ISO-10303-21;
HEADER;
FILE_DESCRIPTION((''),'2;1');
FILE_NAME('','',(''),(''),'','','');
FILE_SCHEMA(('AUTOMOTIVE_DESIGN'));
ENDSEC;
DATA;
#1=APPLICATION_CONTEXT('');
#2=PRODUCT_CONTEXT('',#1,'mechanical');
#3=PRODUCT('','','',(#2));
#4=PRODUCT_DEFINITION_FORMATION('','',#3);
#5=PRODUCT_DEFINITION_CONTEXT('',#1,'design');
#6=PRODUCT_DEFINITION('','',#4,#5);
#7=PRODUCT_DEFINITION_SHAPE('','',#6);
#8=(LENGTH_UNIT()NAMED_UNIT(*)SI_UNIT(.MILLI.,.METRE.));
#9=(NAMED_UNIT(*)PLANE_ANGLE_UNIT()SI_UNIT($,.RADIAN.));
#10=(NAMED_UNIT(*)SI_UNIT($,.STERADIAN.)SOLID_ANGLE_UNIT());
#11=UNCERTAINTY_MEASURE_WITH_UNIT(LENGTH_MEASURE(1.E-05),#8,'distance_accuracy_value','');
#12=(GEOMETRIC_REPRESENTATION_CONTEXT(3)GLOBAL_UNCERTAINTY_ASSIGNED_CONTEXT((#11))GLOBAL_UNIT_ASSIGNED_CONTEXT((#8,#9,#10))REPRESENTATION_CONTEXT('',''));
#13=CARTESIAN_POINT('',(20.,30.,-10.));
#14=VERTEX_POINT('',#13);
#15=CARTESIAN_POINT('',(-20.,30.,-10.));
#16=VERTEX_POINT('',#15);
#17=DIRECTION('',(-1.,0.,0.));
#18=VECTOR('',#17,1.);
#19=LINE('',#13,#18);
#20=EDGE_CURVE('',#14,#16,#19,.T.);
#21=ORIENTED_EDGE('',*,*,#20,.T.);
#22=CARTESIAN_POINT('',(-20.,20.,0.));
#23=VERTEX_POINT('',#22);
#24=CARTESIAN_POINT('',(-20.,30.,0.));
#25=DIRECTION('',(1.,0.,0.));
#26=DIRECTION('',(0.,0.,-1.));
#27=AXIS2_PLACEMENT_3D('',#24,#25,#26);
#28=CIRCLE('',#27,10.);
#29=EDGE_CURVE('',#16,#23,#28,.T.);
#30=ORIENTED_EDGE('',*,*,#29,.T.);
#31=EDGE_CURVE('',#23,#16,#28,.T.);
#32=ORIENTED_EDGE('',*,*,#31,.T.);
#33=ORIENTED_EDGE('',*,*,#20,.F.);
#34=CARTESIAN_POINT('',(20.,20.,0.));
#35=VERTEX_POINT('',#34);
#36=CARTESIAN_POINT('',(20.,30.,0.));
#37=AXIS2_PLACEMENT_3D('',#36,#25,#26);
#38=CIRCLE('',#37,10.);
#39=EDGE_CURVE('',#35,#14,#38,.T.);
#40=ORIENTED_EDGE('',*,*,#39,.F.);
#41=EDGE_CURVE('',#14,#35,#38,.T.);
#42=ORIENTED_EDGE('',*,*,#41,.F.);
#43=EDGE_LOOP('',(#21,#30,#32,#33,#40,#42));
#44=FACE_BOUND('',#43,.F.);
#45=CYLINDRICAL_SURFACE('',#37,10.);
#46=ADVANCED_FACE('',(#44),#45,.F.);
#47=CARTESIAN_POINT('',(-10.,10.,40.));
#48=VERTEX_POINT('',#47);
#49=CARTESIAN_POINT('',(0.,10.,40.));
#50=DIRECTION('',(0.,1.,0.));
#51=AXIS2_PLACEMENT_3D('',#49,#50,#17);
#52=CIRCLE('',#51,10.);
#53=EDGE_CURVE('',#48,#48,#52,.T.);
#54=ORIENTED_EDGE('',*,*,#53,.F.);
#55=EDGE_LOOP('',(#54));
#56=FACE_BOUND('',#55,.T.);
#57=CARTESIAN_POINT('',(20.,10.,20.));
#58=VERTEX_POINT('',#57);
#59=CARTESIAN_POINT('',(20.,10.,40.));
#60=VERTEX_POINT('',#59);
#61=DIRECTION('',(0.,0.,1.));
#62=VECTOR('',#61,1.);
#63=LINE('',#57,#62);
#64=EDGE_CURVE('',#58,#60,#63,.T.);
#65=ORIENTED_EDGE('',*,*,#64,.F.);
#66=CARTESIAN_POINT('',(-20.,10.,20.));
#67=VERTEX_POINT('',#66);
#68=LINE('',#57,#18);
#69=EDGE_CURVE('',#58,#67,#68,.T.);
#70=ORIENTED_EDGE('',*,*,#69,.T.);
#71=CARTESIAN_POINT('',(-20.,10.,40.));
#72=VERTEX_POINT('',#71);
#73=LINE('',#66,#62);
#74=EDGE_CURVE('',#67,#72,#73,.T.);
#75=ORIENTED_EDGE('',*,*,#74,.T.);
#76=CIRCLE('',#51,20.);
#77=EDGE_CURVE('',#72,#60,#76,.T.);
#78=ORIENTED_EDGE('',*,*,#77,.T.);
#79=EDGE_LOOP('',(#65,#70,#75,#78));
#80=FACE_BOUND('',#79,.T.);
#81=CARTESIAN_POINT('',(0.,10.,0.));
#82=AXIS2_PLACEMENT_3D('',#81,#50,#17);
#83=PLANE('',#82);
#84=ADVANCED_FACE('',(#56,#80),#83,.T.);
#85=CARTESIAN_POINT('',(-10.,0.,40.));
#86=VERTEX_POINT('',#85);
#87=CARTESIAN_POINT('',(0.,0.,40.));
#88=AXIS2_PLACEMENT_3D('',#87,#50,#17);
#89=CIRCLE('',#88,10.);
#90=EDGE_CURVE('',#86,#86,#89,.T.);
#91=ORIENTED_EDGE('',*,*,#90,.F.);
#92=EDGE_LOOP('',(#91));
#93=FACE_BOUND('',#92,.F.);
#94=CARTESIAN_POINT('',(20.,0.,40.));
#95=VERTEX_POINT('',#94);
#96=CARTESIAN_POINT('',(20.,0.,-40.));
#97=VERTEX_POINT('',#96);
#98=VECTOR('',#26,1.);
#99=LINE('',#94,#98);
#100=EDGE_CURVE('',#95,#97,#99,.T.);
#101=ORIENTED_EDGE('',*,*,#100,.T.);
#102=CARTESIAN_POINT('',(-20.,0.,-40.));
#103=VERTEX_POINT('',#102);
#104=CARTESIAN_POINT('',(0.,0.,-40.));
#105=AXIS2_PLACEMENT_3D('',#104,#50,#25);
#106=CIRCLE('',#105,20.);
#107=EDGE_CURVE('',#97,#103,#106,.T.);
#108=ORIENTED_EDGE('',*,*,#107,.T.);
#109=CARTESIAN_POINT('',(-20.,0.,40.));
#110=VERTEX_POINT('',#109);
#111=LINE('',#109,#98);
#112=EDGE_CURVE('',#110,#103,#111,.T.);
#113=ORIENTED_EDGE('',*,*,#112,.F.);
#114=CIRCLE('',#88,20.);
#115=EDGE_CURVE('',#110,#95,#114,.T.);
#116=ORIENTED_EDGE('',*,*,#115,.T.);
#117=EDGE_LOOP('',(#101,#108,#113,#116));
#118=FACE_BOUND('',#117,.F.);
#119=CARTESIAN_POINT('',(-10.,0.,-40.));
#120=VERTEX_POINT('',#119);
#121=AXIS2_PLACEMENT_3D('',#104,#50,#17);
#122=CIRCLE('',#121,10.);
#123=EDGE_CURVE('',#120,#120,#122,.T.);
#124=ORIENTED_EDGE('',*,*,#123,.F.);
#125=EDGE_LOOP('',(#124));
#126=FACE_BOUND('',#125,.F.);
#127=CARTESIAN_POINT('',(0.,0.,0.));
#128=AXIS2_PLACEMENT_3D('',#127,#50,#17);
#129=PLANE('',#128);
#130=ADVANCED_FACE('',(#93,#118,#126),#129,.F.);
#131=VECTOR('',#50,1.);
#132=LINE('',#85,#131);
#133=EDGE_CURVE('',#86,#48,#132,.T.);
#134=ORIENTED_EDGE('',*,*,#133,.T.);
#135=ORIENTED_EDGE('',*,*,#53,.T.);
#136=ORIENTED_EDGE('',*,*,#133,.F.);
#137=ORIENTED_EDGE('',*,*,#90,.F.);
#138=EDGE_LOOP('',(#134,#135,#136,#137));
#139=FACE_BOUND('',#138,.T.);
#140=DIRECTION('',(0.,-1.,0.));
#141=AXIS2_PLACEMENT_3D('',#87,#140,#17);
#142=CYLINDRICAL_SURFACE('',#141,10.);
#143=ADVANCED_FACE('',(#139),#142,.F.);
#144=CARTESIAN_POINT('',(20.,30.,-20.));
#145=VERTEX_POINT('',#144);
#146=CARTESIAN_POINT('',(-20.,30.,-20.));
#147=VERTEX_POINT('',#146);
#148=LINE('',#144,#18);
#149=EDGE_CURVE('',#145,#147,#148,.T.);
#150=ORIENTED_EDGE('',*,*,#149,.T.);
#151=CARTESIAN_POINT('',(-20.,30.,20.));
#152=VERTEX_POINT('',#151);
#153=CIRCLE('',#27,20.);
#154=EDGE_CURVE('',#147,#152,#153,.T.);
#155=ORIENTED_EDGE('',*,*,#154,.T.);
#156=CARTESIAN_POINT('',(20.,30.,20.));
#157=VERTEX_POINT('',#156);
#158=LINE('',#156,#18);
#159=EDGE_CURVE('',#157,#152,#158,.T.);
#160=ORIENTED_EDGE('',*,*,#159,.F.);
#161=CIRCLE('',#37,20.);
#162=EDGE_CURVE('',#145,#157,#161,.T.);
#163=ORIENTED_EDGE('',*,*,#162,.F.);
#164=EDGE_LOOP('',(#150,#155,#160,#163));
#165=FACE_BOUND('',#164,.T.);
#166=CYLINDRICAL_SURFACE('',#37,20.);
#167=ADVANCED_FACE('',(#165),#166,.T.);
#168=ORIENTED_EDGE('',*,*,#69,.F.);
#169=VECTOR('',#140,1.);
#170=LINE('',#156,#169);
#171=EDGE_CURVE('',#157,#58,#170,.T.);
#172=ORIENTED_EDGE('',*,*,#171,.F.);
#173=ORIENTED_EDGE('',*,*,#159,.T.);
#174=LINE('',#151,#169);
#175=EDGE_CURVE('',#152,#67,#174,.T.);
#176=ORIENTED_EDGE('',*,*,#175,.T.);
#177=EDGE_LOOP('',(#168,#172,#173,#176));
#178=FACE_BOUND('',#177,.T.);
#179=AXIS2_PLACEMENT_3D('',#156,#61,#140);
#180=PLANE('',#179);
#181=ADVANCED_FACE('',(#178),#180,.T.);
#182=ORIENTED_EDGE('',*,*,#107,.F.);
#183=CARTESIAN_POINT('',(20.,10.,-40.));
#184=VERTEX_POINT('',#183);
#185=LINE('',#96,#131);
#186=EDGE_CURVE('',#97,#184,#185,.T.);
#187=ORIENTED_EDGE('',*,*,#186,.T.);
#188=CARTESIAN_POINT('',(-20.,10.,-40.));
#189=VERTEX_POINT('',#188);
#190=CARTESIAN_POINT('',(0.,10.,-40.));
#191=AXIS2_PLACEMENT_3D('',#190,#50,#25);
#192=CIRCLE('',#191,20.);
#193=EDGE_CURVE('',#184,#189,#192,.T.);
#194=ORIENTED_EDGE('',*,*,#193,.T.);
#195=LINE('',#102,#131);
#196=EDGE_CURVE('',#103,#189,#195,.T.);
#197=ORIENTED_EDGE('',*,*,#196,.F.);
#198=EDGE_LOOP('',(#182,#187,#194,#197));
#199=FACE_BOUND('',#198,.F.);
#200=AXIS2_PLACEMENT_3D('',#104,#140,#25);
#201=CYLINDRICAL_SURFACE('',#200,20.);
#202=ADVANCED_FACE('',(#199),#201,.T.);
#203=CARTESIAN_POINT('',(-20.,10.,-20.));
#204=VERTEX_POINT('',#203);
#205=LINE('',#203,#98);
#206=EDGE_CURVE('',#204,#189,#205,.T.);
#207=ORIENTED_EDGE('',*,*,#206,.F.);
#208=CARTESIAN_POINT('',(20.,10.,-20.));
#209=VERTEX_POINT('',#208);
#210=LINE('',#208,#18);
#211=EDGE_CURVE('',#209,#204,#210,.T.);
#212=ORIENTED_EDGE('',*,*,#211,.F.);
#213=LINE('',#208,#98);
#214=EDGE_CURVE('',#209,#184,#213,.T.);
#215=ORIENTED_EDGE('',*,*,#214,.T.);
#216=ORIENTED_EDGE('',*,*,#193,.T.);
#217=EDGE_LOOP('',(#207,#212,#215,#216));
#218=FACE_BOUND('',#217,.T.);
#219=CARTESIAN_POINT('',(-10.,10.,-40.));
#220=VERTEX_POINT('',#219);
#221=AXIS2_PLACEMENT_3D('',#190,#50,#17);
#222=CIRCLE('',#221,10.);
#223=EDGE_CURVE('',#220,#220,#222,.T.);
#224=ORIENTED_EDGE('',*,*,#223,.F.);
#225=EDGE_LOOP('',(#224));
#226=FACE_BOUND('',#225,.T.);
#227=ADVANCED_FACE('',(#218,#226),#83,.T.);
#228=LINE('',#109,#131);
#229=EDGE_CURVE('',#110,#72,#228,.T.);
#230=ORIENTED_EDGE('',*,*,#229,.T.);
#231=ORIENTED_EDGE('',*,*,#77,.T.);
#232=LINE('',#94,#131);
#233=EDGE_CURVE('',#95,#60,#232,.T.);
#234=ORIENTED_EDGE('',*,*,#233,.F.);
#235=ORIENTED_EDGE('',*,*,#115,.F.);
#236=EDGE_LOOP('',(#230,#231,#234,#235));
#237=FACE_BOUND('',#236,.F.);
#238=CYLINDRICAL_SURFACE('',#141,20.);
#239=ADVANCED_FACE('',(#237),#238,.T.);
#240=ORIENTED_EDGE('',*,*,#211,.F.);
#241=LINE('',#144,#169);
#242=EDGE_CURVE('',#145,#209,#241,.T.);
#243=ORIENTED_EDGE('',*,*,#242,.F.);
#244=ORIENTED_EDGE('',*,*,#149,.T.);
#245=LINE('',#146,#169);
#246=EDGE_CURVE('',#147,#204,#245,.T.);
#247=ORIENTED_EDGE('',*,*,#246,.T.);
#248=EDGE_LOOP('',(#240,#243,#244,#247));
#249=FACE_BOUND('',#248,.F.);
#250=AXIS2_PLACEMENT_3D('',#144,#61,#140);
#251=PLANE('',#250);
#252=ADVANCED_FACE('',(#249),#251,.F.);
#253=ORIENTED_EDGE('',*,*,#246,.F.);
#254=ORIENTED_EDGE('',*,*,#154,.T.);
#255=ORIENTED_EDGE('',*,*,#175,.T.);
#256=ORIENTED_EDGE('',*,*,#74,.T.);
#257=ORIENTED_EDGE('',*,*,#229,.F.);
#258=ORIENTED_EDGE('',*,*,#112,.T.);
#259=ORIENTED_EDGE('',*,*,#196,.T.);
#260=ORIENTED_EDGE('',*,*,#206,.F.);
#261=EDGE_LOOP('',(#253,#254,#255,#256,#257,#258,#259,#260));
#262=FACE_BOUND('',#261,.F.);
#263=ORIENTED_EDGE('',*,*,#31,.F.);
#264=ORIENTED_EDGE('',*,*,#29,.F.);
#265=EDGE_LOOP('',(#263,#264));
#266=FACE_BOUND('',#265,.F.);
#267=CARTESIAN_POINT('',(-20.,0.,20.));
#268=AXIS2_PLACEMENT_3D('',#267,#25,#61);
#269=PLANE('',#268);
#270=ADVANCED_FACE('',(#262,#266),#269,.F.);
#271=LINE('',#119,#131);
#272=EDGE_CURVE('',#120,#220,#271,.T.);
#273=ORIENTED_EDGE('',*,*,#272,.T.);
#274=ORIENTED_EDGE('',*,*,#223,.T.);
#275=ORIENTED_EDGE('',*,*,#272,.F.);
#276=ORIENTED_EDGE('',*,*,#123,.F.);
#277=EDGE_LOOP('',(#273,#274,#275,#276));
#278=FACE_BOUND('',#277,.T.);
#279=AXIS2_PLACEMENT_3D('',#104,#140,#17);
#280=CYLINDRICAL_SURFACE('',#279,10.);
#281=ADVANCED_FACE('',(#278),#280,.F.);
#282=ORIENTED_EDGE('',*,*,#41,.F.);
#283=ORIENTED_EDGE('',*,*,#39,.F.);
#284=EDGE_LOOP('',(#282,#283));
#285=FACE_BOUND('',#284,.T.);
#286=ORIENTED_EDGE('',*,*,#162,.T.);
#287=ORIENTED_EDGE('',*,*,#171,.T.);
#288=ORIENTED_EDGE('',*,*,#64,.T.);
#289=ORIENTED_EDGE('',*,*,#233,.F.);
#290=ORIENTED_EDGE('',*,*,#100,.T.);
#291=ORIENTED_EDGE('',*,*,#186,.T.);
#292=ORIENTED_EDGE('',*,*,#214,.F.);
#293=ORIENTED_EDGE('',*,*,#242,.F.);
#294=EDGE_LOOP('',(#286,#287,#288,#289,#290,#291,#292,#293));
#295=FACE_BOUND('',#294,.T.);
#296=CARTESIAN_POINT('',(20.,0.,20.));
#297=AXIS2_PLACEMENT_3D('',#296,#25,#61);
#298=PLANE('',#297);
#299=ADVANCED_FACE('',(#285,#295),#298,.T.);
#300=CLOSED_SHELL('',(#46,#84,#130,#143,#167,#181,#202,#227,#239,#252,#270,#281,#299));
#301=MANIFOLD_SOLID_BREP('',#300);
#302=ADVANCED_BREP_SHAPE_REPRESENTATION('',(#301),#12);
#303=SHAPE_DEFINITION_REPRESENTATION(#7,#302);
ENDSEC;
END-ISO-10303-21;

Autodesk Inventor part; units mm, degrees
ref_plane "YZ Plane" through (0, 0, 0) normal (1, 0, 0) x (0, 1, 0)
ref_plane "XZ Plane" through (0, 0, 0) normal (0, 1, 0) x (-1, 0, 0)
ref_plane "XY Plane" through (0, 0, 0) normal (0, 0, 1) x (1, 0, 0)
sketch "Sketch1" plane through (0, 0, 0) normal (0, 1, 0) x (-1, 0, 0)
  line L0 (-20, 20) -> (-20, -20)
  line L1 (20, -20) -> (20, 20)
  line L2 (20, 20) -> (-20, -20) construction
  line L3 (-20, 20) -> (20, -20) construction
  line L4 (0, 20) -> (0, 40) construction
  circle A0 centre (0, 40) radius 10
  arc A1 (20, 40) -> (-20, 40) centre (0, 40) ccw
  line L5 (0, -20) -> (0, -40) construction
  circle A2 centre (0, -40) radius 10
  arc A3 (-20, -40) -> (20, -40) centre (0, -40) ccw
  line L6 (20, 20) -> (20, 40)
  line L7 (20, -20) -> (20, -40)
  line L8 (-20, -20) -> (-20, -40)
  line L9 (-20, 20) -> (-20, 40)
  point P0 (0, 0)
  dimension "d3" = 20
  dimension "d6" = 20
extrude "Extrusion1" add sketch "Sketch1" along normal blind 10
sketch "Sketch2" plane through (20, 0, 40) normal (1, 0, 0) x (0, 0, -1)
  line L0 (80, 10) -> (0, 10) projected
  line L1 (40, 10) -> (40, 30)
  arc A0 (60, 30) -> (20, 30) centre (40, 30) ccw
  circle A1 centre (40, 30) radius 10
  line L2 (20, 30) -> (20, 10)
  line L3 (60, 30) -> (60, 10)
  line L4 (20, 10) -> (60, 10)
  line L5 (0, 10) -> (80, 10) projected
  point P0 (40, 0)
  dimension "d11" = 40
  dimension "d12" = 20
extrude "Extrusion2" add sketch "Sketch2" against normal blind 40
sketch "Sketch3" plane through (20, 0, 40) normal (1, 0, 0) x (0, 0, -1)
  line L0 (80, 0) -> (80, 10) projected
  line L1 (0, 0) -> (0, 10) projected
  line L2 (60, 10) -> (80, 10) projected
  line L3 (0, 0) -> (80, 0) projected
  point P0 (40, 0)
  dimension "d15" = 80
  dimension "d16" = 10
properties part number "Tarea 1 Dinamica Lab"
